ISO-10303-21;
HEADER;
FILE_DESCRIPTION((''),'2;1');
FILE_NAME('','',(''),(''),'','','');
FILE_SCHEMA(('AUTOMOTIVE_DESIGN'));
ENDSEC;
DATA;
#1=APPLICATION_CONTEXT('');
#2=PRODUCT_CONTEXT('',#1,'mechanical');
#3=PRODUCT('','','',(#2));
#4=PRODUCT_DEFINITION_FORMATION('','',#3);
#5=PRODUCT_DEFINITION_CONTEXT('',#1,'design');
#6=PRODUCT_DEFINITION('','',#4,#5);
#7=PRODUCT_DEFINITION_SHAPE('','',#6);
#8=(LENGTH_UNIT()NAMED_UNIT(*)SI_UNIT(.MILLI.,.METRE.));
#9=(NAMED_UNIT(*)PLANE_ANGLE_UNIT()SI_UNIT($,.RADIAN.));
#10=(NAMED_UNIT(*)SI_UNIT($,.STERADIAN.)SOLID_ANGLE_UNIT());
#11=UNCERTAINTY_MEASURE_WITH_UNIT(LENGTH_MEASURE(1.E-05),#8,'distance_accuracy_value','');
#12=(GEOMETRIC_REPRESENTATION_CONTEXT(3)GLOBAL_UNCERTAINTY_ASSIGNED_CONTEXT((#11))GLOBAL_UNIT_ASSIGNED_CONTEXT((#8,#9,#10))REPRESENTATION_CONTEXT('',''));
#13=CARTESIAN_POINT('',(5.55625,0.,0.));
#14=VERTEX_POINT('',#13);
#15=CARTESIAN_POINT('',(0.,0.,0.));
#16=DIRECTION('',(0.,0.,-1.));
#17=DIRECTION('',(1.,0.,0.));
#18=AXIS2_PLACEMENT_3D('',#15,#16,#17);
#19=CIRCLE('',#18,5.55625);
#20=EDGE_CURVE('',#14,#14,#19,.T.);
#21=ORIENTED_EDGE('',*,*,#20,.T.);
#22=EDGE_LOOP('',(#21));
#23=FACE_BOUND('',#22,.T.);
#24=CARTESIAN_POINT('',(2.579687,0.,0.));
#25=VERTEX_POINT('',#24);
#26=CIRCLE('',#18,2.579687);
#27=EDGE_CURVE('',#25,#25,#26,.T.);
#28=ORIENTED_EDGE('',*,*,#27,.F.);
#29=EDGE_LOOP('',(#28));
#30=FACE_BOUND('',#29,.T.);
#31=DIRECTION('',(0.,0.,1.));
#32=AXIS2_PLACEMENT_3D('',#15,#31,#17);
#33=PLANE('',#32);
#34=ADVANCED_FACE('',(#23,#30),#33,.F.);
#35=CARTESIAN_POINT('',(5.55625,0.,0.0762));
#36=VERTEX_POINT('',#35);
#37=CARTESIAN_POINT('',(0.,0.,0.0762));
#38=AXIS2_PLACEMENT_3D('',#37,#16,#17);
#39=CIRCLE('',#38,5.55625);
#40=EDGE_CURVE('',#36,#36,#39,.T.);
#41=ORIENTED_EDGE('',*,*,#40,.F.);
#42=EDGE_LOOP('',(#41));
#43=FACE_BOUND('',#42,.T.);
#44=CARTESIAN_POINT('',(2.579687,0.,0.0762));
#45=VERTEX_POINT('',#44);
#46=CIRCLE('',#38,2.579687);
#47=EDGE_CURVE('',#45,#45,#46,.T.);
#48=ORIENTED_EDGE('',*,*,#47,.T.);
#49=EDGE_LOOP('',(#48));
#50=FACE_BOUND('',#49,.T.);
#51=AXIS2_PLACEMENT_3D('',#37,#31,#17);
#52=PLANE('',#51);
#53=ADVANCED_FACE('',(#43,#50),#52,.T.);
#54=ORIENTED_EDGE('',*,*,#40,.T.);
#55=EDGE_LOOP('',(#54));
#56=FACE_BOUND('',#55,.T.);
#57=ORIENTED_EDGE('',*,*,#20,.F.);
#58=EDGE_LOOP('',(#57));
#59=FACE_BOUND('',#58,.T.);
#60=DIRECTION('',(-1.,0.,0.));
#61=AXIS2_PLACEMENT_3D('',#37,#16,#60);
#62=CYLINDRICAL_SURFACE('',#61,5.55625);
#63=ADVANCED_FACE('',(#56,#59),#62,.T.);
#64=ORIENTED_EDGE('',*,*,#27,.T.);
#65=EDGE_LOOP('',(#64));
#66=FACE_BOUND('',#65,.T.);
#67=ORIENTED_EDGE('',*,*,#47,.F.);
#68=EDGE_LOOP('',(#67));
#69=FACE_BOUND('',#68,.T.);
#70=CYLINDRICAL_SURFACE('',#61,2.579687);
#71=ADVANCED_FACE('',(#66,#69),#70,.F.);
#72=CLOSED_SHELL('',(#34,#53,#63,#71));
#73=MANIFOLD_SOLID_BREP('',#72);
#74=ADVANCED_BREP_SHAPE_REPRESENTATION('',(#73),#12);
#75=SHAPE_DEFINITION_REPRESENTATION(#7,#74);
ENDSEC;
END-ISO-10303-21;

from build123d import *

# Parameters (mm, degrees)
SKETCH1_R           = 5.55625
SKETCH1_R_2         = 2.5796875
BOSS_EXTRUDE1_DEPTH = 0.0762


with BuildPart() as part:
    # Sketch1 → Boss-Extrude1 (new body)
    with BuildSketch(Plane(origin=(0, 0, 0), x_dir=(-1, 0, 0), z_dir=(0, 0, -1))):
        Circle(SKETCH1_R)
        Circle(SKETCH1_R_2, mode=Mode.SUBTRACT)
    extrude(amount=-BOSS_EXTRUDE1_DEPTH)


solid = part.part
